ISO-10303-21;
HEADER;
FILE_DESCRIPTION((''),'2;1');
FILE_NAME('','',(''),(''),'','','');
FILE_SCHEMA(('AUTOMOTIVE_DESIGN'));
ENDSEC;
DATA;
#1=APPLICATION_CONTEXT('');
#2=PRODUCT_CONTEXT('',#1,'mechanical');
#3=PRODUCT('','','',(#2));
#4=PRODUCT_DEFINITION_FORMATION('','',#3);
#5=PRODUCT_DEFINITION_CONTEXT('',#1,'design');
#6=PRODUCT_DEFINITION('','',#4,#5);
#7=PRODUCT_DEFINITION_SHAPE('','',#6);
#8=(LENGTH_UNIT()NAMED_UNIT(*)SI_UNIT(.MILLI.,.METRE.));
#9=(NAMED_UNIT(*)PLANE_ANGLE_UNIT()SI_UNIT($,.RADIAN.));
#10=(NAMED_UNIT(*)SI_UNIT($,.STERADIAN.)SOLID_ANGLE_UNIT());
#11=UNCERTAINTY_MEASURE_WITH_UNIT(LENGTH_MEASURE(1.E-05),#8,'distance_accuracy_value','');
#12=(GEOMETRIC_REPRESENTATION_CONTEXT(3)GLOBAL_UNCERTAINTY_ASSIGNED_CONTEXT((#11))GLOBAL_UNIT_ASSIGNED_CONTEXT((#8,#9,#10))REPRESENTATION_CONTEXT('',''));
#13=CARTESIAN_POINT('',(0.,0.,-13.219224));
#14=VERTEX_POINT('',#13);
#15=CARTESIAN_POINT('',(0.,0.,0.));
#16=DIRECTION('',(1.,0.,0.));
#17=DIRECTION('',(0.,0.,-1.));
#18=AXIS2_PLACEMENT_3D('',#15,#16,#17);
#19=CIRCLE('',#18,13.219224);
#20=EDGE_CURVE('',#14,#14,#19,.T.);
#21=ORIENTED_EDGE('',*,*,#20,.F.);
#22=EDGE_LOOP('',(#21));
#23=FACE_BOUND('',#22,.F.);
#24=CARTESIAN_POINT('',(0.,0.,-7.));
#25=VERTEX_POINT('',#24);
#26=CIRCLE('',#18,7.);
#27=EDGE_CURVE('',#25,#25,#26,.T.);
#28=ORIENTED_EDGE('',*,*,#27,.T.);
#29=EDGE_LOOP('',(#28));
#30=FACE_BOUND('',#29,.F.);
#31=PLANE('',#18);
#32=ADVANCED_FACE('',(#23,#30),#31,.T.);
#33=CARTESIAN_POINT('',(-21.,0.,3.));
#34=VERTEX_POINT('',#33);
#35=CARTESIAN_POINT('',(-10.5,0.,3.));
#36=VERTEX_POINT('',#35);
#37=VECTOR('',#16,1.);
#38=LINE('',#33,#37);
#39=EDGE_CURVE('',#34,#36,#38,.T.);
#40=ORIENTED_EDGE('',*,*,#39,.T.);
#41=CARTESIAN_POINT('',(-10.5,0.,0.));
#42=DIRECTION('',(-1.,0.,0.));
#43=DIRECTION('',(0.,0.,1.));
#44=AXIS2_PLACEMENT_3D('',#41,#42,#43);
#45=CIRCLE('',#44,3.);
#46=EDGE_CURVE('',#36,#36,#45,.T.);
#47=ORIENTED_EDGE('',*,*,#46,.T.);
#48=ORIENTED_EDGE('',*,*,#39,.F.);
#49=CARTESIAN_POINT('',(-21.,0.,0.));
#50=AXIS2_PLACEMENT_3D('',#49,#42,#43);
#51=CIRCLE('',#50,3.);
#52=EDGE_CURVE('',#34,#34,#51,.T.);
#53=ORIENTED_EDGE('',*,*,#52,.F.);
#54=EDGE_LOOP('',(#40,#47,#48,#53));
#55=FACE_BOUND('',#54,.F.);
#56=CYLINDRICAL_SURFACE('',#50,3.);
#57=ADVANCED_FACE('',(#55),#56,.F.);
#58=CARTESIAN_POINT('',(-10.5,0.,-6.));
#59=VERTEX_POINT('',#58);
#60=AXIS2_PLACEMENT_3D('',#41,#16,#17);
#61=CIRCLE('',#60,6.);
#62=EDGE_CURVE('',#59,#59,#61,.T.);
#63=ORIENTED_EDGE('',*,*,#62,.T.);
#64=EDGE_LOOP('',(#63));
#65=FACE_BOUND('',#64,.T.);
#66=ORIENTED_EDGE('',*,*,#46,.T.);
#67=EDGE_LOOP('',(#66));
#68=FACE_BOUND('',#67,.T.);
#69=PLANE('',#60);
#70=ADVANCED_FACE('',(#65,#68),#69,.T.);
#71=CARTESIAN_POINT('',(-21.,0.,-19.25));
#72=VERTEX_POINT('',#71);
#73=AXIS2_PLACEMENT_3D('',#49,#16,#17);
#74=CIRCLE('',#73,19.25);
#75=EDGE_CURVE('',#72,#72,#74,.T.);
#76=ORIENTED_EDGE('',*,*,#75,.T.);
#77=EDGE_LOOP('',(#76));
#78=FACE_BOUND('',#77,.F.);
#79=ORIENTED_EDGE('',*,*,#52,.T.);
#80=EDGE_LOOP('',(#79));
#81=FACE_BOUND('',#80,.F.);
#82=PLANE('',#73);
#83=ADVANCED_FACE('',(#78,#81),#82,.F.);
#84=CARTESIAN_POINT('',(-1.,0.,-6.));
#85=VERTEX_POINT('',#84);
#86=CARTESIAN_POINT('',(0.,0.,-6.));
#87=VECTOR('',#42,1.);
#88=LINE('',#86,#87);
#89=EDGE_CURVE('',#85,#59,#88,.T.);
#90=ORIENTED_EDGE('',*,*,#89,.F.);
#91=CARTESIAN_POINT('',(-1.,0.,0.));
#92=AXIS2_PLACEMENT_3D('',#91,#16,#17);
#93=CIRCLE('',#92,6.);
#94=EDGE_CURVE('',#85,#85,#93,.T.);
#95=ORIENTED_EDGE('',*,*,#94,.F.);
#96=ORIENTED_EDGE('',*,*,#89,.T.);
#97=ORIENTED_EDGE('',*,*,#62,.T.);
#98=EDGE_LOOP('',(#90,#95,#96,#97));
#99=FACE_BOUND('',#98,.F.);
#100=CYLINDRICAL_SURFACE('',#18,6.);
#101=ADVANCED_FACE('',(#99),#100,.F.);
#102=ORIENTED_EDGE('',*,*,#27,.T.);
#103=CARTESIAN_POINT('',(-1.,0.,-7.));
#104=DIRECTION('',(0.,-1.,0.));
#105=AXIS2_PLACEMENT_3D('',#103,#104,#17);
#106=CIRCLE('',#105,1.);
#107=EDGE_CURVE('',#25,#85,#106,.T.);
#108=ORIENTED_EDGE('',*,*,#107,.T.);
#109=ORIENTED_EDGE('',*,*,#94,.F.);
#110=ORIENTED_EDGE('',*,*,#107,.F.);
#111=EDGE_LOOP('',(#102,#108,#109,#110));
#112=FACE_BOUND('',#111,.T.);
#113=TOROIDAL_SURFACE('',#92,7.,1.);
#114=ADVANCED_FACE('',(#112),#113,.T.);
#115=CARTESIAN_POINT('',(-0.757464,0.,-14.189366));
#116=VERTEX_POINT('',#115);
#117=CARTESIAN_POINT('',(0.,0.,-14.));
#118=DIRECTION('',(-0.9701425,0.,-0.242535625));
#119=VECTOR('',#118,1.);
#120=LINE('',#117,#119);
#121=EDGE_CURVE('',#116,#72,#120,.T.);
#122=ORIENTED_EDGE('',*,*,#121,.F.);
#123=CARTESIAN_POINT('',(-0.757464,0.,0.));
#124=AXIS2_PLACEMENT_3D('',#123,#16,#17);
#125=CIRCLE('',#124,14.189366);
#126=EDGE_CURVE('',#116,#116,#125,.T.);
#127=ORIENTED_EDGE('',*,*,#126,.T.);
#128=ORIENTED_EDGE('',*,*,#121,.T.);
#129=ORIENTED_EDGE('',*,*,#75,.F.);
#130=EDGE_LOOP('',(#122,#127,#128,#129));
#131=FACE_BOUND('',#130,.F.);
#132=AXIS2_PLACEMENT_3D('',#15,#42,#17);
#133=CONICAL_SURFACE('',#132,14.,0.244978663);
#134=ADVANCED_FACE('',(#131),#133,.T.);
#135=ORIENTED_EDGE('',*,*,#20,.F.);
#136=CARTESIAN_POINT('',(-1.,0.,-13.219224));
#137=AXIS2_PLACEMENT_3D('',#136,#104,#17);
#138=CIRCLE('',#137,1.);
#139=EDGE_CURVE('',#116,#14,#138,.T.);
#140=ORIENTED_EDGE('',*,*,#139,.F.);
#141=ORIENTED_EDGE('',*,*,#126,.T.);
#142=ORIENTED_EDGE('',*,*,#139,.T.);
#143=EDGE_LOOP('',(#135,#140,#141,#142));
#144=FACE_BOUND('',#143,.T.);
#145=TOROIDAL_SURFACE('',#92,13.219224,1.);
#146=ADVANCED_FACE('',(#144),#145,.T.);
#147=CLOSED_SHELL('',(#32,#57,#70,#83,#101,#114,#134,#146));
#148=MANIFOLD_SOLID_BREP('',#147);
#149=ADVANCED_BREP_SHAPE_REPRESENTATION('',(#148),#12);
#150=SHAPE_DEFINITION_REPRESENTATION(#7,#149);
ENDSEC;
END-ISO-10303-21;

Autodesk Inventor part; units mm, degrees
ref_plane "YZ Plane" through (0, 0, 0) normal (1, 0, 0) x (0, 1, 0)
ref_plane "XZ Plane" through (0, 0, 0) normal (0, 1, 0) x (-1, 0, 0)
ref_plane "XY Plane" through (0, 0, 0) normal (0, 0, 1) x (1, 0, 0)
sketch "Sketch2" plane through (0, 0, 0) normal (0, 1, 0) x (-1, 0, 0)
  line L0 (0, 0) -> (0, -14)
  line L1 (0, -14) -> (21, -19.25)
  line L2 (21, -19.25) -> (21, 0)
  line L3 (21, 0) -> (0, 0)
  dimension "d1" = 14
  dimension "d2" = 21
  dimension "d3" = 19.25
revolve "Revolution1" add sketch "Sketch2" angle 360 about axis through (-21, 0, 0) along (1, 0, 0)
sketch "Sketch3" plane through (-21, 0, 0) normal (-1, 0, 0) x (0, 0, 1)
  circle A0 centre (0, 0) radius 3
  dimension "d5" = 6
extrude "Extrusion1" cut sketch "Sketch3" against normal through all
sketch "Sketch4" plane through (0, 0, 0) normal (1, 0, 0) x (0, 0, -1)
  circle A0 centre (0, 0) radius 6
  dimension "d8" = 12
extrude "Extrusion2" cut sketch "Sketch4" against normal blind 10.5
fillet "Fillet1" radius 1 2 edges at (0, 0, 14) (0, 0, 6)
properties part number "Rubberfoot"
